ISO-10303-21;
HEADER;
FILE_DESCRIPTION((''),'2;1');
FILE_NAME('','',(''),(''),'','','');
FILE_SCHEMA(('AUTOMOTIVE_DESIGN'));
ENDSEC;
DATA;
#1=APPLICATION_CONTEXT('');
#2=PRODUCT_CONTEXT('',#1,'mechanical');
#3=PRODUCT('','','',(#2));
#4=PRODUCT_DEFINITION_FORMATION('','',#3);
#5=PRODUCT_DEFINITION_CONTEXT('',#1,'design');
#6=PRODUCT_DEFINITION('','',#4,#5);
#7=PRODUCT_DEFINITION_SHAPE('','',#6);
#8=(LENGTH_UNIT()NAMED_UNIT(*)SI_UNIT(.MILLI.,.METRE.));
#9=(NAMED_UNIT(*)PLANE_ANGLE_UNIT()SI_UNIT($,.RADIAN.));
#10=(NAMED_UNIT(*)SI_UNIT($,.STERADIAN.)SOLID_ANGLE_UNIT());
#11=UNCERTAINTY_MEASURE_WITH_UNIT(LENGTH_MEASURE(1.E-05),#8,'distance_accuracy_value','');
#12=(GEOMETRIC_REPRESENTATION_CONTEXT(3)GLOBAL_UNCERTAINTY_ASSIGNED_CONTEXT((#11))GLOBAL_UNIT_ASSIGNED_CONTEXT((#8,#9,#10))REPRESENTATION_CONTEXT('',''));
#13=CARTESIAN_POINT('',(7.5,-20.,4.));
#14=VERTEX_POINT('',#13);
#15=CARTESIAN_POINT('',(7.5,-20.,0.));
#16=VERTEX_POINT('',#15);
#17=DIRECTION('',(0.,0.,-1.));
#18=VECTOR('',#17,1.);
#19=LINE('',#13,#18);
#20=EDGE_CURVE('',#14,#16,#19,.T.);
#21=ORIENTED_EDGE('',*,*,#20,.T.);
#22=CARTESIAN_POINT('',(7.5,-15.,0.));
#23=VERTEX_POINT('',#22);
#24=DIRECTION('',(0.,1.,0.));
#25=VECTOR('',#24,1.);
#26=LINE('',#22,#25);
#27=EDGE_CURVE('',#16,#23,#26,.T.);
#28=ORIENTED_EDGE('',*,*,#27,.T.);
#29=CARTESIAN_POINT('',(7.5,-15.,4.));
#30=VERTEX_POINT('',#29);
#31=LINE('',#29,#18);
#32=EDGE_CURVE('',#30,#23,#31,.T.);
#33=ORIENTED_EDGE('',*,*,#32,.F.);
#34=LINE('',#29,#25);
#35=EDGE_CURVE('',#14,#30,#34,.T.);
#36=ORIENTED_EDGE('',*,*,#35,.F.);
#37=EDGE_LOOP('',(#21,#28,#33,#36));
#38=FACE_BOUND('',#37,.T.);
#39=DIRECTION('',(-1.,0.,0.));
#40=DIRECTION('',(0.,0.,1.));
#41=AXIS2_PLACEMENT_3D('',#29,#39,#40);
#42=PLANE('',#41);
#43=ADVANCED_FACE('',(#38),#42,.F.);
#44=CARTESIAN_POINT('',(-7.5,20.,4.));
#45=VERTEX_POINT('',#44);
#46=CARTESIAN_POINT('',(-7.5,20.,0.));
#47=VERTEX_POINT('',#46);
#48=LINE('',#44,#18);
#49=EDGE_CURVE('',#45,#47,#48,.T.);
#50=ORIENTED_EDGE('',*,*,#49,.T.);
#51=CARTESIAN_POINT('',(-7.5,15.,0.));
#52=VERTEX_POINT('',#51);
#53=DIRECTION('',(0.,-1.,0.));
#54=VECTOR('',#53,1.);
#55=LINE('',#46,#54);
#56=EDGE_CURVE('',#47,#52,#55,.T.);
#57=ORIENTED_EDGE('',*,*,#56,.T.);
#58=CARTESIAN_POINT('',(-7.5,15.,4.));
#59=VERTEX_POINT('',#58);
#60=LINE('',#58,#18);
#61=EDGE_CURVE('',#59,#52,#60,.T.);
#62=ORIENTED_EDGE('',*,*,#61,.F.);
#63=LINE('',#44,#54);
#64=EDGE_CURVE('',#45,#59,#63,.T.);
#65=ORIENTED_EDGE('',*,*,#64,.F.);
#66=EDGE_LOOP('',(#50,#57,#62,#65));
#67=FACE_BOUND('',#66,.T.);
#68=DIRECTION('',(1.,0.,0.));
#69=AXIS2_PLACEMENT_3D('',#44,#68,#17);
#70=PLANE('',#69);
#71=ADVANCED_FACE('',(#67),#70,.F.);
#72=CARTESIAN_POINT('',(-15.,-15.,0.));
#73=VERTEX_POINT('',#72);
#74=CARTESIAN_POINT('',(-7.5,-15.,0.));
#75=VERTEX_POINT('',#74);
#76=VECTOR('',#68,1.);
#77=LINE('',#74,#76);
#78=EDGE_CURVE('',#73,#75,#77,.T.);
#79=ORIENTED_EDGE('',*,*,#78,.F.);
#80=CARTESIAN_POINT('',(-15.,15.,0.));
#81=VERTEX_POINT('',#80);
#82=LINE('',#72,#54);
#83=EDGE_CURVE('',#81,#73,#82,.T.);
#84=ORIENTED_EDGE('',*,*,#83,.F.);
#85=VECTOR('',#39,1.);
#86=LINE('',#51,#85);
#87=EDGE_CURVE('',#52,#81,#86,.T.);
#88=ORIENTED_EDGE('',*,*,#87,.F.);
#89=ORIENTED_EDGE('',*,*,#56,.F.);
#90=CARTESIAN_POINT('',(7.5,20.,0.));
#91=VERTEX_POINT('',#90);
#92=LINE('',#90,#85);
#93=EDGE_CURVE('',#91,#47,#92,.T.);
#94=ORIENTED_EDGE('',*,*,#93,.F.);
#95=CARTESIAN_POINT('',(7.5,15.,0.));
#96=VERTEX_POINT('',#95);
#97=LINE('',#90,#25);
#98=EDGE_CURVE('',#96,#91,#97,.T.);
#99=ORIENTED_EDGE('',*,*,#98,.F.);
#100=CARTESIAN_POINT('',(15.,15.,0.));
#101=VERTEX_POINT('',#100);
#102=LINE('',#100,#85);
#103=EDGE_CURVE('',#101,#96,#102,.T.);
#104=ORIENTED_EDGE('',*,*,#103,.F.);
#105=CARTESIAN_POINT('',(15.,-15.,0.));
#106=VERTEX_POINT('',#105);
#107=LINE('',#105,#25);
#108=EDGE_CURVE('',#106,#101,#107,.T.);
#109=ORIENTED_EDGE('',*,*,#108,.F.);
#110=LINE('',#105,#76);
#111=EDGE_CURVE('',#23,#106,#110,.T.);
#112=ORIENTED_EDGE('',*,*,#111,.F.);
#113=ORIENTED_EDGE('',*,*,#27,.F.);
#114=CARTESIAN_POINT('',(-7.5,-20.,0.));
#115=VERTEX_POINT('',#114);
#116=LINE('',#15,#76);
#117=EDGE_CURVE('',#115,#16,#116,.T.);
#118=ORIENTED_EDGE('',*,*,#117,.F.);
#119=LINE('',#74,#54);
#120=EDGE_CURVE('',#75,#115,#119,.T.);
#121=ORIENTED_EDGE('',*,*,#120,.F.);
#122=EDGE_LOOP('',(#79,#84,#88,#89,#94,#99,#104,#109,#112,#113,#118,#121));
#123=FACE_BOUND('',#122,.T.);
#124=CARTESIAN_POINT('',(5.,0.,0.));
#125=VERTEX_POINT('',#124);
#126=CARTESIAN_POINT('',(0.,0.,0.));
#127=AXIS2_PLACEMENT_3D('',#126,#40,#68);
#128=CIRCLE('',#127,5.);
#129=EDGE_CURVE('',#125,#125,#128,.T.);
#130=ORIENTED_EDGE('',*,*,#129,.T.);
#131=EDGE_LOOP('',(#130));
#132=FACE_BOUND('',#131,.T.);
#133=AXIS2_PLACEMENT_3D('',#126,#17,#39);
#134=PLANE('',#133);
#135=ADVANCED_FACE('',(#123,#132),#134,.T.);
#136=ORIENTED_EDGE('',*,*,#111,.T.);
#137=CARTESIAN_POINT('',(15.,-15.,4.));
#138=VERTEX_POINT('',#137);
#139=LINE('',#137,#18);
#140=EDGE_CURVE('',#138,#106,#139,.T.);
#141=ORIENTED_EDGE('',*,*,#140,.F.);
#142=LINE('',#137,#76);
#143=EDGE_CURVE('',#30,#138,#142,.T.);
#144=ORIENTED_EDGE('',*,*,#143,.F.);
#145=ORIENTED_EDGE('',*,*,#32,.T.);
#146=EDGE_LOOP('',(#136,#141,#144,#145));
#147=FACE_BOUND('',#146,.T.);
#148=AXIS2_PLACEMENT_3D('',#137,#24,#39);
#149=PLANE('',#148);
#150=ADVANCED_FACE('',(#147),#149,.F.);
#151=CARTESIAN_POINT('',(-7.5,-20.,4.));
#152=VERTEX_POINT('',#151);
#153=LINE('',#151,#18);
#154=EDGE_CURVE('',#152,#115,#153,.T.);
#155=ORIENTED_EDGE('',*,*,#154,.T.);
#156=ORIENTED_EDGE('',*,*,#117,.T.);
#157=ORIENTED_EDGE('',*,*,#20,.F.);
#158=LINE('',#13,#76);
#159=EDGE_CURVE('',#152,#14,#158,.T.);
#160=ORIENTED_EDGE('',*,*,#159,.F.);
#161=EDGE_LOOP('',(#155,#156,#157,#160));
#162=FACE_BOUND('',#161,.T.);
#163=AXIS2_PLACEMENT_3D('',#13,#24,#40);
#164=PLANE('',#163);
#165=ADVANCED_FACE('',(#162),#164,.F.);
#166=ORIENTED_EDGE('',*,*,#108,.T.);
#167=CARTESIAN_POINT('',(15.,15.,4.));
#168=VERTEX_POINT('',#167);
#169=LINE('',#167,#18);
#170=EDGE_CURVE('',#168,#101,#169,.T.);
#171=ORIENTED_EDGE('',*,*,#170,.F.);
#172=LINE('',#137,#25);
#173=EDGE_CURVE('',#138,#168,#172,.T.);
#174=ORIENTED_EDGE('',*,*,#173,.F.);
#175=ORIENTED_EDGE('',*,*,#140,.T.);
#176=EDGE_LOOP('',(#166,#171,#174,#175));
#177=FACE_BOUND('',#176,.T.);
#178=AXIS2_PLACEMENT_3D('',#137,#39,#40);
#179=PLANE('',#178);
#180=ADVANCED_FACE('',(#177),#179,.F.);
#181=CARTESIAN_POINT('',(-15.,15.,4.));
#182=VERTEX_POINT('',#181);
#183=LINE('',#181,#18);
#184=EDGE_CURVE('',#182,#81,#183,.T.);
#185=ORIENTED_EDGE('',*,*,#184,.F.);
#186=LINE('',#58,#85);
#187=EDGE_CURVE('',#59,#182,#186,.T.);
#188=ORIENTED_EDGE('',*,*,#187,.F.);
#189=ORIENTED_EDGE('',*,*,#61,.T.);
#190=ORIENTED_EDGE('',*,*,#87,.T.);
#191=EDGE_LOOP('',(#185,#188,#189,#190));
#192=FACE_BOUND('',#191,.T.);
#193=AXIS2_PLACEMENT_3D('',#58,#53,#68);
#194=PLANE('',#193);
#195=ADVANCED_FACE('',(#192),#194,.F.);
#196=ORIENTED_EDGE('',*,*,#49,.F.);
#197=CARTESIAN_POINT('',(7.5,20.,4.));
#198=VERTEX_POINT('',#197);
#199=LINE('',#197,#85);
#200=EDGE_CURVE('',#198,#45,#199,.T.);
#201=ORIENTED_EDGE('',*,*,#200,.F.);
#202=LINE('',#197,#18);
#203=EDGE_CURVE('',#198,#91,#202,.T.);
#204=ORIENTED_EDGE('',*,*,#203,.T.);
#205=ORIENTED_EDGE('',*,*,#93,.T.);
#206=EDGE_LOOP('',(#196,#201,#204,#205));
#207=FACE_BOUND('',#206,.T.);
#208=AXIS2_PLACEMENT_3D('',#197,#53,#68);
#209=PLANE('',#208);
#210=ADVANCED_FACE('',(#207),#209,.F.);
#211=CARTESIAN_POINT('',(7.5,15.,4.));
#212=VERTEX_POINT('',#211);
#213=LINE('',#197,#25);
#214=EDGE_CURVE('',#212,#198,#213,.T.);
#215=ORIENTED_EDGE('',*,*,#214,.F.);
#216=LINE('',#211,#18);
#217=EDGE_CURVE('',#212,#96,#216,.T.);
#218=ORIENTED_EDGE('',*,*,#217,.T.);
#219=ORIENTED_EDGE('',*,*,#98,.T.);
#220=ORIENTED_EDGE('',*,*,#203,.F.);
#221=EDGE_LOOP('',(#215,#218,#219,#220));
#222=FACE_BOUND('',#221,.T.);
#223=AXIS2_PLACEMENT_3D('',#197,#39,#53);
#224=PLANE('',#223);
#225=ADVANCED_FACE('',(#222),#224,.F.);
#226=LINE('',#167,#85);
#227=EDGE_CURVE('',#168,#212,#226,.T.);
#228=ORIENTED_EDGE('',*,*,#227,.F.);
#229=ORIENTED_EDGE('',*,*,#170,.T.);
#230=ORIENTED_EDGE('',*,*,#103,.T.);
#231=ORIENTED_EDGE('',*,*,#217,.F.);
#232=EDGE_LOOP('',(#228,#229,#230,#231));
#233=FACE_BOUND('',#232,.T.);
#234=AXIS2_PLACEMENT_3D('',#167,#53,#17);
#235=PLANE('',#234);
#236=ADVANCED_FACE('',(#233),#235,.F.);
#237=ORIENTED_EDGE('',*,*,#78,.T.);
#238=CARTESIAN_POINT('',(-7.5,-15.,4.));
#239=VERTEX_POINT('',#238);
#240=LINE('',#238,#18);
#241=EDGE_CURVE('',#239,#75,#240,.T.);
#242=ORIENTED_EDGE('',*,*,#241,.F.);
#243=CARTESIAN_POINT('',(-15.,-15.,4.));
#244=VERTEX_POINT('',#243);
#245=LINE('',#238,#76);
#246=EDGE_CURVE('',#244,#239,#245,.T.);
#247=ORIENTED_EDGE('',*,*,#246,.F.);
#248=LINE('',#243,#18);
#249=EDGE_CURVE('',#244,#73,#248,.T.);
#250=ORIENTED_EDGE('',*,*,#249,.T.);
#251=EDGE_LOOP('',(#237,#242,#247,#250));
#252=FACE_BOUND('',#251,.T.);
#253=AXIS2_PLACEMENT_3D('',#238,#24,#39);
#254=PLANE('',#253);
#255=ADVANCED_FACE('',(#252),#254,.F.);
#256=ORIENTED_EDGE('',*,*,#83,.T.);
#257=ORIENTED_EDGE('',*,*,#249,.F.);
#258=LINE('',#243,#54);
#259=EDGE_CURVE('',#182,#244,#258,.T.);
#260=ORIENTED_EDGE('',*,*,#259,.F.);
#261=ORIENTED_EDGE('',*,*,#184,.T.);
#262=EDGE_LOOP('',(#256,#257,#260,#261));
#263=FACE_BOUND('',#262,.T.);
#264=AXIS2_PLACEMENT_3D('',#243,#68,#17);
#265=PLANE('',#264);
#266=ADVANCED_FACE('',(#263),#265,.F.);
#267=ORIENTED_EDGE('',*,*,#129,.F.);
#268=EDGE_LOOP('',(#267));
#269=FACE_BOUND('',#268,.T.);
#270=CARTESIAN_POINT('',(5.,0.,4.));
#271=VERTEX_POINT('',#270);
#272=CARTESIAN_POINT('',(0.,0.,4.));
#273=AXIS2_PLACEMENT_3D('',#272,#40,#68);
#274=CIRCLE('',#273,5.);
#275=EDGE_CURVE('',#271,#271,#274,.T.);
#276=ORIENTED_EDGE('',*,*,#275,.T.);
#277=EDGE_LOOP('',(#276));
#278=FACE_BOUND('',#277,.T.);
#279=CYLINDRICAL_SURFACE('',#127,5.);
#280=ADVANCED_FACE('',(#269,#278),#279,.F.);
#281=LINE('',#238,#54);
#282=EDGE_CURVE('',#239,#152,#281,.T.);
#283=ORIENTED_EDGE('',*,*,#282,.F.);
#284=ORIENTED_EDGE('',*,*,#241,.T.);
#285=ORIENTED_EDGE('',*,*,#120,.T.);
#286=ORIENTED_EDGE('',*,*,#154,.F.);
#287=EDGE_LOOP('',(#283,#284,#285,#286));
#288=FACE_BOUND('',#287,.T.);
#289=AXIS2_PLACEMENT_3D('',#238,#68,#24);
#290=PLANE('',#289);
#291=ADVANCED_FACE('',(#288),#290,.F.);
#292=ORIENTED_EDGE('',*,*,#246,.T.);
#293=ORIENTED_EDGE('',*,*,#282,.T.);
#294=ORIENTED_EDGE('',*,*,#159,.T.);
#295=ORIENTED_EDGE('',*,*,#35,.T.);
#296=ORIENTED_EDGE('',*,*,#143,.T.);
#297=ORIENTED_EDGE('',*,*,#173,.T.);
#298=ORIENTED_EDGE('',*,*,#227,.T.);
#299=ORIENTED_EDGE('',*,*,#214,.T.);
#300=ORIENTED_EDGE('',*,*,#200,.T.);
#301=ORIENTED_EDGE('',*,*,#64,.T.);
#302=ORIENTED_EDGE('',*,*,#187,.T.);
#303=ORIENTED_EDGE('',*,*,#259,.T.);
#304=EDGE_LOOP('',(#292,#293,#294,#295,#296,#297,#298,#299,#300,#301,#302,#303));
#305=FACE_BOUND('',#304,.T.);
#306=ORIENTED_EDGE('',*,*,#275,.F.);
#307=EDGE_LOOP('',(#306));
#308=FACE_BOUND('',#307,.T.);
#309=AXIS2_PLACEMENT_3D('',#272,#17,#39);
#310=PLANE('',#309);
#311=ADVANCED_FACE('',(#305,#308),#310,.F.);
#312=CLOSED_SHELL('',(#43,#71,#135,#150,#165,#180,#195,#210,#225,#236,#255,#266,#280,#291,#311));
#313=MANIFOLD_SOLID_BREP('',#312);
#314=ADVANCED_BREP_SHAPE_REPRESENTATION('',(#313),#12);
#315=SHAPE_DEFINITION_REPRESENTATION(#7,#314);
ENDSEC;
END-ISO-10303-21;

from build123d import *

# Parameters (mm, degrees)
BOSS_EXTRUDE1_DEPTH = 4
SKETCH2_R           = 5
CUT_EXTRUDE1_DEPTH  = 4


with BuildPart() as part:
    # Sketch1 → Boss-Extrude1 (new body)
    with BuildSketch(Plane.XY):
        Polygon((-7.5, 15), (-15, 15), (-15, -15), (-7.5, -15), (-7.5, -20), (7.5, -20), (7.5, -15), (15, -15), (15, 15), (7.5, 15), (7.5, 20), (-7.5, 20), align=None)
    extrude(amount=BOSS_EXTRUDE1_DEPTH)

    # Sketch2 → Cut-Extrude1 (cut)
    with BuildSketch(Plane.XY.offset(4)):
        Circle(SKETCH2_R)
    extrude(amount=-CUT_EXTRUDE1_DEPTH, mode=Mode.SUBTRACT)


solid = part.part
